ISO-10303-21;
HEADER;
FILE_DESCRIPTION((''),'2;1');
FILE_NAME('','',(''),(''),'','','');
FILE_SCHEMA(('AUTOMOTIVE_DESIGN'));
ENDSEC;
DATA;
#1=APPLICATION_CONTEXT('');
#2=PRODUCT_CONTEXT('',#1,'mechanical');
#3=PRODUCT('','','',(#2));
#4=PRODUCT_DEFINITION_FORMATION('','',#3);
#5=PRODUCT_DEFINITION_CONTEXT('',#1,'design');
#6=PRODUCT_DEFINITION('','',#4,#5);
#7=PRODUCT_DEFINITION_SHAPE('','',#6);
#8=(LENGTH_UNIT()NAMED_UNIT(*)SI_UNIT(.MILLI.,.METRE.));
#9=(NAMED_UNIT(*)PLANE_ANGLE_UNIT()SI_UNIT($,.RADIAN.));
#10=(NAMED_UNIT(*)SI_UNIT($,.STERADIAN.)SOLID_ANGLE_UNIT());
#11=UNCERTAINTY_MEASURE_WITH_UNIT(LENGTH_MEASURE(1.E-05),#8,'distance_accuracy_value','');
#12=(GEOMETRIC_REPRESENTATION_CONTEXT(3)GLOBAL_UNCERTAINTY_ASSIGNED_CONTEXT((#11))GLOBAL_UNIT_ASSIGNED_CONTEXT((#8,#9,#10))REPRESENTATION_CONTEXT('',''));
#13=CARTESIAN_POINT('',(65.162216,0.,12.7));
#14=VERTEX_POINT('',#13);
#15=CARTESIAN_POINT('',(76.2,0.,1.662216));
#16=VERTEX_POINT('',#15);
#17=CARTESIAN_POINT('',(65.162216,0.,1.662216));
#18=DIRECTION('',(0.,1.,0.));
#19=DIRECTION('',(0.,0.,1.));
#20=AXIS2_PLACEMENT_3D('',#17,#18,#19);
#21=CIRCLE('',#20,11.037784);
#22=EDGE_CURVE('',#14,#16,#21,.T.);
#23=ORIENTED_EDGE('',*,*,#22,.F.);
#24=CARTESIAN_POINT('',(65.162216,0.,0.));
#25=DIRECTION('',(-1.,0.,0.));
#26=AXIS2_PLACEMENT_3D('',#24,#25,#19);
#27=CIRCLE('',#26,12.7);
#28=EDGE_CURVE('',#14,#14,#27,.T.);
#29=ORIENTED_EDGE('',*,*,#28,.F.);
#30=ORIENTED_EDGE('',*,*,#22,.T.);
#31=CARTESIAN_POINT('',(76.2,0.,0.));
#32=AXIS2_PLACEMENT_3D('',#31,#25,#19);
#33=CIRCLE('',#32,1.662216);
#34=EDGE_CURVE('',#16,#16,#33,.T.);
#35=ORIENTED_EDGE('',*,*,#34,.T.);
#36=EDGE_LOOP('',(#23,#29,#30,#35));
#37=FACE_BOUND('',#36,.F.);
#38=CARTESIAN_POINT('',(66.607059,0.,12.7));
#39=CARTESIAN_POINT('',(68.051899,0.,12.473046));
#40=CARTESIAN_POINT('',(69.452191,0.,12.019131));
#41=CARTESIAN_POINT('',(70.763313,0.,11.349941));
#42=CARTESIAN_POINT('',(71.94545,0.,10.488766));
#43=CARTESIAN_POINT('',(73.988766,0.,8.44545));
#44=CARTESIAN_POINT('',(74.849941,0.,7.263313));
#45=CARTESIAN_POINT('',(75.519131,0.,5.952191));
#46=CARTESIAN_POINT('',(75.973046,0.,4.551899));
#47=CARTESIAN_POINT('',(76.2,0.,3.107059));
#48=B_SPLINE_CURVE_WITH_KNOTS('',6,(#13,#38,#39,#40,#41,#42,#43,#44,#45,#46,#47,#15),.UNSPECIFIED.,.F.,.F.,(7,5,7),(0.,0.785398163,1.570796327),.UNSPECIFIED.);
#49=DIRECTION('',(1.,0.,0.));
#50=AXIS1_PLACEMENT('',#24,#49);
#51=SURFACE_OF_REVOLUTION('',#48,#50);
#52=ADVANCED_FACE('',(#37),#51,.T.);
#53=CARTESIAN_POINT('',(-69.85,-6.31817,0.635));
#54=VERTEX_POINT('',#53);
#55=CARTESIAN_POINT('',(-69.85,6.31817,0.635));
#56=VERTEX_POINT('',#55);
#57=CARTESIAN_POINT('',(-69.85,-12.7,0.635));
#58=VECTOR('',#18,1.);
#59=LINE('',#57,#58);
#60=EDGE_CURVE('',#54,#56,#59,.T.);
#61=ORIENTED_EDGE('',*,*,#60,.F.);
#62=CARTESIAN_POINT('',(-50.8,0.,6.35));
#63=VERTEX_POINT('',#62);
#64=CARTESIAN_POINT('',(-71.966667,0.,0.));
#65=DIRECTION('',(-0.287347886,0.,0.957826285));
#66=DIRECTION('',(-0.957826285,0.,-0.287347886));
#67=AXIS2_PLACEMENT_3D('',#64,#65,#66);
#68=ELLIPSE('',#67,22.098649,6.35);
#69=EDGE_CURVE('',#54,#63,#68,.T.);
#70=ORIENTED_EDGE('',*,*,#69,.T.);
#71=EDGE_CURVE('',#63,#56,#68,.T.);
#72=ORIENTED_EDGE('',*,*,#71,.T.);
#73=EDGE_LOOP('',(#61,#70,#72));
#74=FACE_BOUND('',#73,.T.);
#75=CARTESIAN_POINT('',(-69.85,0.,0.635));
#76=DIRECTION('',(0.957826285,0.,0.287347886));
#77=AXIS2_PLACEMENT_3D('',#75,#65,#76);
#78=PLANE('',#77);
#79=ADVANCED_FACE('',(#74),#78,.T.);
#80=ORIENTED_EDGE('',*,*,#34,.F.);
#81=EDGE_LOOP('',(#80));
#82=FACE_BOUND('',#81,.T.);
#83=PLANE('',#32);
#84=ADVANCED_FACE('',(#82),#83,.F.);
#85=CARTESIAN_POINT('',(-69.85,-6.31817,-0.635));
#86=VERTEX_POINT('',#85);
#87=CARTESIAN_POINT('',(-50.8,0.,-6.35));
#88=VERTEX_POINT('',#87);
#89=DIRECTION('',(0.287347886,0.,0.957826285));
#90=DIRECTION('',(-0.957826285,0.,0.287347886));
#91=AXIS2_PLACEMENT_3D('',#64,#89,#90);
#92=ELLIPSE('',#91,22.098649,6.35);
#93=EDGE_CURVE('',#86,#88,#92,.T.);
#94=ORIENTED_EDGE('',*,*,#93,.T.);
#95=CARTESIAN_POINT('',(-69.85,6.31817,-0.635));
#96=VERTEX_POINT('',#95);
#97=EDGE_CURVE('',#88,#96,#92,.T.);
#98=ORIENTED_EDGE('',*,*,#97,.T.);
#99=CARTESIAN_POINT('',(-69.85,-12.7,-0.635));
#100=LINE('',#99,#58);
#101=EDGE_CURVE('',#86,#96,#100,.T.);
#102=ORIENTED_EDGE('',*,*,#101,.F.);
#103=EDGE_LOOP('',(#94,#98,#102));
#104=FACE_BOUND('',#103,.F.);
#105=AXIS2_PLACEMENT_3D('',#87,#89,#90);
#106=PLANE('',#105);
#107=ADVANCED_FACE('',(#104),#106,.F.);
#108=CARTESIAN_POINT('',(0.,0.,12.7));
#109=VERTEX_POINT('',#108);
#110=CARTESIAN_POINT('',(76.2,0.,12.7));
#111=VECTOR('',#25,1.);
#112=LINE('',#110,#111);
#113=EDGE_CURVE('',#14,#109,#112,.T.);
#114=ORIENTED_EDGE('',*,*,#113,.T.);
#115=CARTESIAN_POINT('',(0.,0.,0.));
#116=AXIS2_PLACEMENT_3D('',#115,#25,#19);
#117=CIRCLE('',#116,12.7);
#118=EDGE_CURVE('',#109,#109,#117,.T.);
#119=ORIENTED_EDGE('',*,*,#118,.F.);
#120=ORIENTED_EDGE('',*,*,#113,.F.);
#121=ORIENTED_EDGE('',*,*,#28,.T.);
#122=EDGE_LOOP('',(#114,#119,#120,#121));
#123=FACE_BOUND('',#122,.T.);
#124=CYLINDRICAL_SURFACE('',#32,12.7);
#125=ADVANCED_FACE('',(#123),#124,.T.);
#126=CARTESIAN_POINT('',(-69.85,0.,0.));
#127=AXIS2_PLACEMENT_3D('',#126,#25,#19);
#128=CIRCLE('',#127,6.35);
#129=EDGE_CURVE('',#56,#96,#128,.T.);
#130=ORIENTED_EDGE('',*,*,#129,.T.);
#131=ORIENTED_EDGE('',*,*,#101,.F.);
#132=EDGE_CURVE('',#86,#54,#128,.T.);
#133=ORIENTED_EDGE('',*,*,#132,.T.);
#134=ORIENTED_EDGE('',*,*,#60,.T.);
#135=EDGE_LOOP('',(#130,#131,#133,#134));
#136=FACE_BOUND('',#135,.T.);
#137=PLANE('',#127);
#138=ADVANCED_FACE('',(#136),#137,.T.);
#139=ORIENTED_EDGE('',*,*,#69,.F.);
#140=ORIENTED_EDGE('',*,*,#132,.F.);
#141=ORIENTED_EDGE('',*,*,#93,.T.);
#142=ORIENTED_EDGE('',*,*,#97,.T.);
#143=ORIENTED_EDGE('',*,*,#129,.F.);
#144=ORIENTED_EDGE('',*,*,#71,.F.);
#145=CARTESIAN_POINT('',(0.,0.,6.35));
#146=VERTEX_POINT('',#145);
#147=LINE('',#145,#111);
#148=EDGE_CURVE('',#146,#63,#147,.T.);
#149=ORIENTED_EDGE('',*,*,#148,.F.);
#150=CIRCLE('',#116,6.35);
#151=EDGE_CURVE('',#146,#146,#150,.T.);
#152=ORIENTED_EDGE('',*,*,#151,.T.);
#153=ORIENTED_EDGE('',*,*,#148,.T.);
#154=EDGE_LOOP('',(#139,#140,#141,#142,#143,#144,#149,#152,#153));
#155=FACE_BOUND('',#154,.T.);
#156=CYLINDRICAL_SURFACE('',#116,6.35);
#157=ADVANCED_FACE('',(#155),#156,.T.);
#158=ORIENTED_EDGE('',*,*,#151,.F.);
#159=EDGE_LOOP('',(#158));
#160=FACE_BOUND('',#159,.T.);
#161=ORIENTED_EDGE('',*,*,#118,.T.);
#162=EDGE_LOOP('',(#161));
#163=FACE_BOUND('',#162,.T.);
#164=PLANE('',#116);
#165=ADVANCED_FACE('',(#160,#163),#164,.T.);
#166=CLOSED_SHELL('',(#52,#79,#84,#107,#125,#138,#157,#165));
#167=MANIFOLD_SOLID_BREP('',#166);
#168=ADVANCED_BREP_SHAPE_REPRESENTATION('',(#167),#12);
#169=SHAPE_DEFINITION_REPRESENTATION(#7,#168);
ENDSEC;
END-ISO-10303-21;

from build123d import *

# Parameters (mm, degrees)
F0_W     = 19.05
F0_H     = 0.635
F2_DEPTH = 12.7
F3_R     = 11.037784


with BuildPart() as f1:
    # F0 (on Front) → F1 (revolve)
    with BuildSketch(Plane.XZ):
        Polygon((0, 0), (0, 6.35), (-50.8, 6.35), (-50.8, 0.635), (-50.8, 0), align=None)
        Polygon((76.2, 12.7), (0, 12.7), (0, 6.35), (0, 0), (76.2, 0), align=None)
        Polygon((-50.8, 0.635), (-50.8, 6.35), (-69.85, 0.635), align=None)
        with Locations((-60.325, 0.3175)):
            Rectangle(F0_W, F0_H)
        Polygon((-69.85, 0.635), (-50.8, 6.35), (-69.85, 6.35), align=None)
    revolve(axis=Axis((3.175, 0, 0), (-1, 0, 0)))

    # F0 (on Front) → F2 (cut, symmetric)
    with BuildSketch(Plane.XZ):
        Polygon((-69.85, 0.635), (-50.8, 6.35), (-69.85, 6.35), align=None)
        Polygon((-69.85, -6.35), (-50.8, -6.35), (-69.85, -0.635), align=None)
    extrude(amount=F2_DEPTH, both=True, mode=Mode.SUBTRACT)

    # F3
    f3_edges = [f1.edges().sort_by_distance(p)[0] for p in [
        (76.2, 0, -12.7),
    ]]
    fillet(f3_edges, radius=F3_R)


solid = f1.part
